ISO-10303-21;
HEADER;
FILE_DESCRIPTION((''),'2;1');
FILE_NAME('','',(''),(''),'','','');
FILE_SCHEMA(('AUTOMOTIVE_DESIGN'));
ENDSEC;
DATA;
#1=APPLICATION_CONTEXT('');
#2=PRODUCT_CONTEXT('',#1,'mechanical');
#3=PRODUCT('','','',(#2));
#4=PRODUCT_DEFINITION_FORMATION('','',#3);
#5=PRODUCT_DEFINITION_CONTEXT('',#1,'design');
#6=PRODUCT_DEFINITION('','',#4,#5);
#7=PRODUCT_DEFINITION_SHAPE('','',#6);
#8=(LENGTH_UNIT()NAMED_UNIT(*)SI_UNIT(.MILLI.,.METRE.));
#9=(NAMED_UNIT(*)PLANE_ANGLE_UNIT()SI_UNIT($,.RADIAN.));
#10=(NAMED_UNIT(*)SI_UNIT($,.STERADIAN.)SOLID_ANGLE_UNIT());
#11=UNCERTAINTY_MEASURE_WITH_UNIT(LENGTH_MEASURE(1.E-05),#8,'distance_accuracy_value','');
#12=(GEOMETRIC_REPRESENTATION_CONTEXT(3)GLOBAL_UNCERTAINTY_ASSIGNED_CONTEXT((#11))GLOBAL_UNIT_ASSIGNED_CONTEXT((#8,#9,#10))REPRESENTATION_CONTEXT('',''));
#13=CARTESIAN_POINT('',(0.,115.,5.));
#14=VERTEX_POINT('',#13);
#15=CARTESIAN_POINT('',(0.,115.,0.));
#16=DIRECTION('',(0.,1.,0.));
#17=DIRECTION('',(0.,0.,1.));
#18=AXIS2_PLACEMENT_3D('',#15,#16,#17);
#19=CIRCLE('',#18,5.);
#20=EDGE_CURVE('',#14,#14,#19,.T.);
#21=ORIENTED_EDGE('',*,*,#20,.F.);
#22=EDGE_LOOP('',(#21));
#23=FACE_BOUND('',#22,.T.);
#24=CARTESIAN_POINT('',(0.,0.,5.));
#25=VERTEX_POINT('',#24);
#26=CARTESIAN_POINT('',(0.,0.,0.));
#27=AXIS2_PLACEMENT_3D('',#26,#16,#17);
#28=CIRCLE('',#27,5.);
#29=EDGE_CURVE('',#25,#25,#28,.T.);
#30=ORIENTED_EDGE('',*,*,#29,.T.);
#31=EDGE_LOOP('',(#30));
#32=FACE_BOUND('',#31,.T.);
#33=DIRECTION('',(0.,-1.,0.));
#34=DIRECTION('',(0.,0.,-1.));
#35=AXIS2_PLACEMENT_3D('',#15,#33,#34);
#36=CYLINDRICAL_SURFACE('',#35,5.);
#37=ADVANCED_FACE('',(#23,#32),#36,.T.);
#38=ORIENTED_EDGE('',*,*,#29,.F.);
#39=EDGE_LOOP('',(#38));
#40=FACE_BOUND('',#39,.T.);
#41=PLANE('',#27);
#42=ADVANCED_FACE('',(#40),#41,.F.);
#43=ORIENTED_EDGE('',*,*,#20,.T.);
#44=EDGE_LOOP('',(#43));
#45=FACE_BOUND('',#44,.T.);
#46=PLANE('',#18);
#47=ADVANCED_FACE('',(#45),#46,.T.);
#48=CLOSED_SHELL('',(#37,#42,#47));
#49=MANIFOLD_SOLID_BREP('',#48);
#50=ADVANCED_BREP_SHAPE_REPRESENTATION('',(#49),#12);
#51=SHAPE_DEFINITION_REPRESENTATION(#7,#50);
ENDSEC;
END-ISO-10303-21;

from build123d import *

# Parameters (mm, degrees)
SKETCH1_R           = 5
BOSS_EXTRUDE1_DEPTH = 115


with BuildPart() as part:
    # Sketch1 → Boss-Extrude1 (new body)
    with BuildSketch(Plane(origin=(0, 0, 0), x_dir=(1, 0, 0), z_dir=(0, 1, 0))):
        Circle(SKETCH1_R)
    extrude(amount=BOSS_EXTRUDE1_DEPTH)


solid = part.part
